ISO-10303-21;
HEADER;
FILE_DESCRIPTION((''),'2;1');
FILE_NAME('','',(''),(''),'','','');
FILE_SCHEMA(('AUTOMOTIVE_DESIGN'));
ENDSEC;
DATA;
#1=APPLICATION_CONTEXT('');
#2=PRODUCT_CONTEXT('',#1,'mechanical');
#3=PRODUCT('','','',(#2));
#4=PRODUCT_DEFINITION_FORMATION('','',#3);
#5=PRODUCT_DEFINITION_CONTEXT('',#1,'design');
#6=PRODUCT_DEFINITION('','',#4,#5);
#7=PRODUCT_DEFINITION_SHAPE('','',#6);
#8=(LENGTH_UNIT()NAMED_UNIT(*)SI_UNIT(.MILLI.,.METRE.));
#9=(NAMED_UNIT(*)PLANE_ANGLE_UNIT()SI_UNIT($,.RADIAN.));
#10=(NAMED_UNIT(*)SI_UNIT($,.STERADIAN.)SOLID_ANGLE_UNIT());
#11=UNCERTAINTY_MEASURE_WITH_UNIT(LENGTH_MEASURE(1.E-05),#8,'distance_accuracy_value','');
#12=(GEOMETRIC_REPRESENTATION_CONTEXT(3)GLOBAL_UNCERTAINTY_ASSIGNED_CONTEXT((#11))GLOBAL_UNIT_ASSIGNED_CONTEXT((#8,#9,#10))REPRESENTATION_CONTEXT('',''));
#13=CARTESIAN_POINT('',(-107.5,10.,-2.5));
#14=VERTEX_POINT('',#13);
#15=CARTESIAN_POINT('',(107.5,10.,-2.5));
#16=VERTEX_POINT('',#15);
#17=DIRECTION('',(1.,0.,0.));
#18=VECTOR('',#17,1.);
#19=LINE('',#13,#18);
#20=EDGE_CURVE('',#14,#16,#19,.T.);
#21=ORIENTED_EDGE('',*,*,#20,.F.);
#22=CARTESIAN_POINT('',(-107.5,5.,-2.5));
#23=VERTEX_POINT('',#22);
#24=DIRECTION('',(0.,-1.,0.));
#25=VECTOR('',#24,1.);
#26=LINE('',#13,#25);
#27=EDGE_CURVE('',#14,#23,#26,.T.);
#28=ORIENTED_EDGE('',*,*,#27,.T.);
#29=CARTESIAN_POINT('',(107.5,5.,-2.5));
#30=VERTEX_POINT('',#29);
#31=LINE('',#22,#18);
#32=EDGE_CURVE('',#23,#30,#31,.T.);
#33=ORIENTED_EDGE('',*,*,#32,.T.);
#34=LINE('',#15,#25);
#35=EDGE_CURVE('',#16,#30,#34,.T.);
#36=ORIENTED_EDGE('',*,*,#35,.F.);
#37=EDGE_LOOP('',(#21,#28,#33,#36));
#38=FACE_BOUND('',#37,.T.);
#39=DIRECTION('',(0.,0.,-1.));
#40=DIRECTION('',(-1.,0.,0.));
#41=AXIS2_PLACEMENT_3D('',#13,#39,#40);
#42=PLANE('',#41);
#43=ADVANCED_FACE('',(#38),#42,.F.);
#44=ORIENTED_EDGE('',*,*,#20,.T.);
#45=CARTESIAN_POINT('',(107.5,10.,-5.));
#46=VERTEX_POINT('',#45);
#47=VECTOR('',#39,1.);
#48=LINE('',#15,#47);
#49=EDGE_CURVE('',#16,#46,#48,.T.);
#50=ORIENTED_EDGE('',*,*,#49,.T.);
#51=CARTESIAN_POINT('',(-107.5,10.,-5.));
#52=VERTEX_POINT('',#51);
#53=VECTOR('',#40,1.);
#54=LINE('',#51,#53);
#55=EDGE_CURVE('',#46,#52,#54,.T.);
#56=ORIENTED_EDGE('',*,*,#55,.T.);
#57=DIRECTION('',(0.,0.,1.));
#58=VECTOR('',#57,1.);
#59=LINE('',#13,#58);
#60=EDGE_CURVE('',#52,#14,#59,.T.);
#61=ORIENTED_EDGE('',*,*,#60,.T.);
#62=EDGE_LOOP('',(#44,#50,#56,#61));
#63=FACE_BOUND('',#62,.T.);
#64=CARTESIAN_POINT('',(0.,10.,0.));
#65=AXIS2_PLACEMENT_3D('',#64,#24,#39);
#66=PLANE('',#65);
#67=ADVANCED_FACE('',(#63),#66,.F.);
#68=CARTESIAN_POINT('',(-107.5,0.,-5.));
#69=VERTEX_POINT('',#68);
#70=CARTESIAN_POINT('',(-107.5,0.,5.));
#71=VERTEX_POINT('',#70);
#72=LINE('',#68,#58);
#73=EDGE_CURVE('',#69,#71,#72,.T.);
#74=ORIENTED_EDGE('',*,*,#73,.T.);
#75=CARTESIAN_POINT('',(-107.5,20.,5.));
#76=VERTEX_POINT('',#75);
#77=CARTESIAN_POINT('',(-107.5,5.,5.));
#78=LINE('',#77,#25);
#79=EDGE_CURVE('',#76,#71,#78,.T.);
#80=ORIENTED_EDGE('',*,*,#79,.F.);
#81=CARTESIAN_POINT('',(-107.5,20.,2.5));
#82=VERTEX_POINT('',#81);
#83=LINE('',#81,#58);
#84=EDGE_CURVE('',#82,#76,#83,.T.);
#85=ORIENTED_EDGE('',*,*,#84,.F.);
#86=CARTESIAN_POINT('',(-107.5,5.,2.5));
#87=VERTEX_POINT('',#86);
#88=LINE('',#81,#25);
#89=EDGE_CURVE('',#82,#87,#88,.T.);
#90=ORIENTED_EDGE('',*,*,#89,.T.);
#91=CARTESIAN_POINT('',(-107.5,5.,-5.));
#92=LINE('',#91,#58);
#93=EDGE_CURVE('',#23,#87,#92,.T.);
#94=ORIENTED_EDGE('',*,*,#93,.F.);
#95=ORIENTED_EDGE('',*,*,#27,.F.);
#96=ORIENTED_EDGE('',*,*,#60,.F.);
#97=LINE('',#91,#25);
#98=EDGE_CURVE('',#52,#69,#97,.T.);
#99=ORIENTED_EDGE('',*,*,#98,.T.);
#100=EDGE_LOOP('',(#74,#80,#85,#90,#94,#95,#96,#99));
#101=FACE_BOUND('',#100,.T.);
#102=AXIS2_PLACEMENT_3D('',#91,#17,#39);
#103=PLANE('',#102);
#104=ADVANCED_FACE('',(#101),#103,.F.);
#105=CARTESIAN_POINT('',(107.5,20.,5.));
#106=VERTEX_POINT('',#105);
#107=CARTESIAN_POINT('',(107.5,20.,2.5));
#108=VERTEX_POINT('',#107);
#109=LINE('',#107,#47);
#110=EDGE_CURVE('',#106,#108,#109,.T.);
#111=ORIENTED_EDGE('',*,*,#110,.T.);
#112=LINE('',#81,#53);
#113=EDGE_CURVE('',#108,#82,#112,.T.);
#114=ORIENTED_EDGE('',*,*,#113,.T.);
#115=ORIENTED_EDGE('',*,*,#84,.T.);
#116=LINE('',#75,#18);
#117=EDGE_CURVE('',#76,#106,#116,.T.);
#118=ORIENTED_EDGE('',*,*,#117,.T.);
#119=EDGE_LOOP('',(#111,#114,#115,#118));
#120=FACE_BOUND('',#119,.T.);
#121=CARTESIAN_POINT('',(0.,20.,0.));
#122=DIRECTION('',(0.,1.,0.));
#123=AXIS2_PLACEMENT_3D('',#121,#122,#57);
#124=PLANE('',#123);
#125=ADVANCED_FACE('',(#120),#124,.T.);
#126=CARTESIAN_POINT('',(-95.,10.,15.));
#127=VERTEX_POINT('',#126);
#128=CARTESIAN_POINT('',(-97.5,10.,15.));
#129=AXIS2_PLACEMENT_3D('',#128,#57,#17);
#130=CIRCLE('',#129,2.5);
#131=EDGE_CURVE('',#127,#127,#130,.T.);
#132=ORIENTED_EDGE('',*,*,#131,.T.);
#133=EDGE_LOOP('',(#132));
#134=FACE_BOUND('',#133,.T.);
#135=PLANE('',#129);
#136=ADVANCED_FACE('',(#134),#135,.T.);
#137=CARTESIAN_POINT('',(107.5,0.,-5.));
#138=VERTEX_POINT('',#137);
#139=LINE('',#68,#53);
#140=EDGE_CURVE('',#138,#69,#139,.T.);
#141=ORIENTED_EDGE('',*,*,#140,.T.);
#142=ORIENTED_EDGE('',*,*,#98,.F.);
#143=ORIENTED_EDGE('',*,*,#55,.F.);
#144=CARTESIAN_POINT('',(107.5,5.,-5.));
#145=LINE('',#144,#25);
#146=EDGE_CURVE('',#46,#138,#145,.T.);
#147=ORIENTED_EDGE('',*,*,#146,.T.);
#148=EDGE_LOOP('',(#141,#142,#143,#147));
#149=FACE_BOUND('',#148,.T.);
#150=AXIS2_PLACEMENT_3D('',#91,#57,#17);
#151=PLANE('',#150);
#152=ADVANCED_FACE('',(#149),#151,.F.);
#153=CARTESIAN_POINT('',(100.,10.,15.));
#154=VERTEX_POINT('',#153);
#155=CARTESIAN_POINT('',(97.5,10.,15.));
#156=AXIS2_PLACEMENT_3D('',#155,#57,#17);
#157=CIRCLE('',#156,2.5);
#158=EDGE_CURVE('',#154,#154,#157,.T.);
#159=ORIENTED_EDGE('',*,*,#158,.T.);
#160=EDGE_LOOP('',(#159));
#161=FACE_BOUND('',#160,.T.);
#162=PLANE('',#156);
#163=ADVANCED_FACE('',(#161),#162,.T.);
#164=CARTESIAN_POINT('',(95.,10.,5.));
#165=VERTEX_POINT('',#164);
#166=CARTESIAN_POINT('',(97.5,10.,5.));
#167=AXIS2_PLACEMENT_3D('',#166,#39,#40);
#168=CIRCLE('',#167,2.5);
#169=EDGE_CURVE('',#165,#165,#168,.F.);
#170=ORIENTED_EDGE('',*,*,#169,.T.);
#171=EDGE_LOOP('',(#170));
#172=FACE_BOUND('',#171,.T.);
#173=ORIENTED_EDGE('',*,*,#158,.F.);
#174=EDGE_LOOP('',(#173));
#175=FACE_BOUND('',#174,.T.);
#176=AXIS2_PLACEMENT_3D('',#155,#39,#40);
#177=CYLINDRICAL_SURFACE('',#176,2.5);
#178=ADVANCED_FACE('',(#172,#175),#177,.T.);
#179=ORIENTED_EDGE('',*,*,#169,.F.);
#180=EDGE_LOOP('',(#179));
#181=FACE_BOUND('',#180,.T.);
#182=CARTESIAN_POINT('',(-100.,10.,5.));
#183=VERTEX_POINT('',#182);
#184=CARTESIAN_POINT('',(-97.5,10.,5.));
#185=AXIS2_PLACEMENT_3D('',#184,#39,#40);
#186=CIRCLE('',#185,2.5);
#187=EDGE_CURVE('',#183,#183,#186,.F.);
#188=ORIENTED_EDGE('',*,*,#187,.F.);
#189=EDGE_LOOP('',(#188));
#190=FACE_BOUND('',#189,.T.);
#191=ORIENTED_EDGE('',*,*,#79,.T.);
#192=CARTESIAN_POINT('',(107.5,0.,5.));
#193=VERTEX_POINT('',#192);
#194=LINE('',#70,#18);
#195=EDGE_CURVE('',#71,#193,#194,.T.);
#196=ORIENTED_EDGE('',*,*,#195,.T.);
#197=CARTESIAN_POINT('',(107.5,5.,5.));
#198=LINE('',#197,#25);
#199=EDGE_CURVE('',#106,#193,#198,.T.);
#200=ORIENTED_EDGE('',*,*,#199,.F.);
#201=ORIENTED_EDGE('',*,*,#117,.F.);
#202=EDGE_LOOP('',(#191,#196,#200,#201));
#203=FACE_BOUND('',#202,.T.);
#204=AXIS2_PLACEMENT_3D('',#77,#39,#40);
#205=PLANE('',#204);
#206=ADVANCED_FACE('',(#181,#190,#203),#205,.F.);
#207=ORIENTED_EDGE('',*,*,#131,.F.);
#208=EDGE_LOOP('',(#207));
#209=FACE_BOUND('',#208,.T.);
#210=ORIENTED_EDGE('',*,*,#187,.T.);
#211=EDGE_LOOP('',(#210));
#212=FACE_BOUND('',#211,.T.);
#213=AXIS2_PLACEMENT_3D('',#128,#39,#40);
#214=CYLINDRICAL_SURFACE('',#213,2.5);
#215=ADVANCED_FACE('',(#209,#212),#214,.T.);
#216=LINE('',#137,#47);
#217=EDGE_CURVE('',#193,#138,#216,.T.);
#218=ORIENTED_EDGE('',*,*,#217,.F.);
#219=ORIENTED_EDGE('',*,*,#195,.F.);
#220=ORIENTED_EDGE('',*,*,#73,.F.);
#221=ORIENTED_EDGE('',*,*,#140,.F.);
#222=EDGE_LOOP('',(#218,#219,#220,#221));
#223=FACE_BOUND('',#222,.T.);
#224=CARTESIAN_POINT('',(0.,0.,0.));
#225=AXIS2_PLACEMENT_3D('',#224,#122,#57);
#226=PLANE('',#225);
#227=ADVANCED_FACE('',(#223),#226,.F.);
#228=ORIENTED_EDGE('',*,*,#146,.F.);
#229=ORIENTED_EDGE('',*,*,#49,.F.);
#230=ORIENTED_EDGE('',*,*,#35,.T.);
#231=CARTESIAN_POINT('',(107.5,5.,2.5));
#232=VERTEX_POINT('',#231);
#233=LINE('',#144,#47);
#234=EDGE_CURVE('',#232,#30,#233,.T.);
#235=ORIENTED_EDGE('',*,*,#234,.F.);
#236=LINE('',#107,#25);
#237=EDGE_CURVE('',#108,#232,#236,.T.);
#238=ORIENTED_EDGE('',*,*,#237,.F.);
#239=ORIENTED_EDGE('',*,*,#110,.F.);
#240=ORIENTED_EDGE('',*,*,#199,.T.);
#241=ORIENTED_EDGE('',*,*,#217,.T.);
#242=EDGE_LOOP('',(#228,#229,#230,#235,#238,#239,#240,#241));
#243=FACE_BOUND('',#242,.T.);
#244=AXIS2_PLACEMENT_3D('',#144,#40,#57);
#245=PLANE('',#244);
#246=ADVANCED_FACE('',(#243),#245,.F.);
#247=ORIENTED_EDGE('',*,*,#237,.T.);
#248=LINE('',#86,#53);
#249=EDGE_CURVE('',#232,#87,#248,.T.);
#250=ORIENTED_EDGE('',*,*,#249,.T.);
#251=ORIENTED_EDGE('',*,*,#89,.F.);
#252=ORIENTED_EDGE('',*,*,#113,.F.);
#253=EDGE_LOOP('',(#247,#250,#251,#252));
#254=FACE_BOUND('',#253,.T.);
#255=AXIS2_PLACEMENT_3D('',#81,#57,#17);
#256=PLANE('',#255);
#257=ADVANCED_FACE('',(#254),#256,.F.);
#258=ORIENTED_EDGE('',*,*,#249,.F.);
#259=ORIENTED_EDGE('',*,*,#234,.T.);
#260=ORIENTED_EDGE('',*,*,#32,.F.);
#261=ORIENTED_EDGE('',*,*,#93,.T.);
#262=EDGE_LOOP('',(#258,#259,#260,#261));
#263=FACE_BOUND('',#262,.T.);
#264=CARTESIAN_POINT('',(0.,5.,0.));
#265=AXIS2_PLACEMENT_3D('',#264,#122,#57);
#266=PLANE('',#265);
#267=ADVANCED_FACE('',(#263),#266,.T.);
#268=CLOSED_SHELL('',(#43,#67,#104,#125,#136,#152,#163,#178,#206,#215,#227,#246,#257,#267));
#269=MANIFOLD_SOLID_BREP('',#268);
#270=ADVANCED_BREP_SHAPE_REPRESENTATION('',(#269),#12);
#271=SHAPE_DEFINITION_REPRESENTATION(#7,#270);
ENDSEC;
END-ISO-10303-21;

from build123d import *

# Parameters (mm, degrees)
SKETCH1_W           = 215
SKETCH1_H           = 10
BOSS_EXTRUDE1_DEPTH = 5
SKETCH4_W           = 215
SKETCH4_H           = 2.5
BOSS_EXTRUDE7_DEPTH = 15
SKETCH6_W           = 215
SKETCH6_H           = 2.5
BOSS_EXTRUDE8_DEPTH = 5
SKETCH7_R           = 2.5
BOSS_EXTRUDE9_DEPTH = 10


with BuildPart() as part:
    # Sketch1 → Boss-Extrude1 (new body)
    with BuildSketch(Plane(origin=(0, 0, 0), x_dir=(1, 0, 0), z_dir=(0, 1, 0))):
        Rectangle(SKETCH1_W, SKETCH1_H)
    extrude(amount=BOSS_EXTRUDE1_DEPTH)

    # Sketch4 → Boss-Extrude7 (add)
    with BuildSketch(Plane(origin=(0, 5, 0), x_dir=(1, 0, 0), z_dir=(0, 1, 0))):
        with Locations((0, -3.75)):
            Rectangle(SKETCH4_W, SKETCH4_H)
    extrude(amount=BOSS_EXTRUDE7_DEPTH)

    # Sketch6 → Boss-Extrude8 (add)
    with BuildSketch(Plane(origin=(0, 5, 0), x_dir=(1, 0, 0), z_dir=(0, 1, 0))):
        with Locations((0, 3.75)):
            Rectangle(SKETCH6_W, SKETCH6_H)
    extrude(amount=BOSS_EXTRUDE8_DEPTH)

    # Sketch7 → Boss-Extrude9 (add)
    with BuildSketch(Plane.XY.offset(5)):
        with Locations((-97.5, 10)):
            Circle(SKETCH7_R)
        with Locations((97.5, 10)):
            Circle(SKETCH7_R)
    extrude(amount=BOSS_EXTRUDE9_DEPTH)


solid = part.part
